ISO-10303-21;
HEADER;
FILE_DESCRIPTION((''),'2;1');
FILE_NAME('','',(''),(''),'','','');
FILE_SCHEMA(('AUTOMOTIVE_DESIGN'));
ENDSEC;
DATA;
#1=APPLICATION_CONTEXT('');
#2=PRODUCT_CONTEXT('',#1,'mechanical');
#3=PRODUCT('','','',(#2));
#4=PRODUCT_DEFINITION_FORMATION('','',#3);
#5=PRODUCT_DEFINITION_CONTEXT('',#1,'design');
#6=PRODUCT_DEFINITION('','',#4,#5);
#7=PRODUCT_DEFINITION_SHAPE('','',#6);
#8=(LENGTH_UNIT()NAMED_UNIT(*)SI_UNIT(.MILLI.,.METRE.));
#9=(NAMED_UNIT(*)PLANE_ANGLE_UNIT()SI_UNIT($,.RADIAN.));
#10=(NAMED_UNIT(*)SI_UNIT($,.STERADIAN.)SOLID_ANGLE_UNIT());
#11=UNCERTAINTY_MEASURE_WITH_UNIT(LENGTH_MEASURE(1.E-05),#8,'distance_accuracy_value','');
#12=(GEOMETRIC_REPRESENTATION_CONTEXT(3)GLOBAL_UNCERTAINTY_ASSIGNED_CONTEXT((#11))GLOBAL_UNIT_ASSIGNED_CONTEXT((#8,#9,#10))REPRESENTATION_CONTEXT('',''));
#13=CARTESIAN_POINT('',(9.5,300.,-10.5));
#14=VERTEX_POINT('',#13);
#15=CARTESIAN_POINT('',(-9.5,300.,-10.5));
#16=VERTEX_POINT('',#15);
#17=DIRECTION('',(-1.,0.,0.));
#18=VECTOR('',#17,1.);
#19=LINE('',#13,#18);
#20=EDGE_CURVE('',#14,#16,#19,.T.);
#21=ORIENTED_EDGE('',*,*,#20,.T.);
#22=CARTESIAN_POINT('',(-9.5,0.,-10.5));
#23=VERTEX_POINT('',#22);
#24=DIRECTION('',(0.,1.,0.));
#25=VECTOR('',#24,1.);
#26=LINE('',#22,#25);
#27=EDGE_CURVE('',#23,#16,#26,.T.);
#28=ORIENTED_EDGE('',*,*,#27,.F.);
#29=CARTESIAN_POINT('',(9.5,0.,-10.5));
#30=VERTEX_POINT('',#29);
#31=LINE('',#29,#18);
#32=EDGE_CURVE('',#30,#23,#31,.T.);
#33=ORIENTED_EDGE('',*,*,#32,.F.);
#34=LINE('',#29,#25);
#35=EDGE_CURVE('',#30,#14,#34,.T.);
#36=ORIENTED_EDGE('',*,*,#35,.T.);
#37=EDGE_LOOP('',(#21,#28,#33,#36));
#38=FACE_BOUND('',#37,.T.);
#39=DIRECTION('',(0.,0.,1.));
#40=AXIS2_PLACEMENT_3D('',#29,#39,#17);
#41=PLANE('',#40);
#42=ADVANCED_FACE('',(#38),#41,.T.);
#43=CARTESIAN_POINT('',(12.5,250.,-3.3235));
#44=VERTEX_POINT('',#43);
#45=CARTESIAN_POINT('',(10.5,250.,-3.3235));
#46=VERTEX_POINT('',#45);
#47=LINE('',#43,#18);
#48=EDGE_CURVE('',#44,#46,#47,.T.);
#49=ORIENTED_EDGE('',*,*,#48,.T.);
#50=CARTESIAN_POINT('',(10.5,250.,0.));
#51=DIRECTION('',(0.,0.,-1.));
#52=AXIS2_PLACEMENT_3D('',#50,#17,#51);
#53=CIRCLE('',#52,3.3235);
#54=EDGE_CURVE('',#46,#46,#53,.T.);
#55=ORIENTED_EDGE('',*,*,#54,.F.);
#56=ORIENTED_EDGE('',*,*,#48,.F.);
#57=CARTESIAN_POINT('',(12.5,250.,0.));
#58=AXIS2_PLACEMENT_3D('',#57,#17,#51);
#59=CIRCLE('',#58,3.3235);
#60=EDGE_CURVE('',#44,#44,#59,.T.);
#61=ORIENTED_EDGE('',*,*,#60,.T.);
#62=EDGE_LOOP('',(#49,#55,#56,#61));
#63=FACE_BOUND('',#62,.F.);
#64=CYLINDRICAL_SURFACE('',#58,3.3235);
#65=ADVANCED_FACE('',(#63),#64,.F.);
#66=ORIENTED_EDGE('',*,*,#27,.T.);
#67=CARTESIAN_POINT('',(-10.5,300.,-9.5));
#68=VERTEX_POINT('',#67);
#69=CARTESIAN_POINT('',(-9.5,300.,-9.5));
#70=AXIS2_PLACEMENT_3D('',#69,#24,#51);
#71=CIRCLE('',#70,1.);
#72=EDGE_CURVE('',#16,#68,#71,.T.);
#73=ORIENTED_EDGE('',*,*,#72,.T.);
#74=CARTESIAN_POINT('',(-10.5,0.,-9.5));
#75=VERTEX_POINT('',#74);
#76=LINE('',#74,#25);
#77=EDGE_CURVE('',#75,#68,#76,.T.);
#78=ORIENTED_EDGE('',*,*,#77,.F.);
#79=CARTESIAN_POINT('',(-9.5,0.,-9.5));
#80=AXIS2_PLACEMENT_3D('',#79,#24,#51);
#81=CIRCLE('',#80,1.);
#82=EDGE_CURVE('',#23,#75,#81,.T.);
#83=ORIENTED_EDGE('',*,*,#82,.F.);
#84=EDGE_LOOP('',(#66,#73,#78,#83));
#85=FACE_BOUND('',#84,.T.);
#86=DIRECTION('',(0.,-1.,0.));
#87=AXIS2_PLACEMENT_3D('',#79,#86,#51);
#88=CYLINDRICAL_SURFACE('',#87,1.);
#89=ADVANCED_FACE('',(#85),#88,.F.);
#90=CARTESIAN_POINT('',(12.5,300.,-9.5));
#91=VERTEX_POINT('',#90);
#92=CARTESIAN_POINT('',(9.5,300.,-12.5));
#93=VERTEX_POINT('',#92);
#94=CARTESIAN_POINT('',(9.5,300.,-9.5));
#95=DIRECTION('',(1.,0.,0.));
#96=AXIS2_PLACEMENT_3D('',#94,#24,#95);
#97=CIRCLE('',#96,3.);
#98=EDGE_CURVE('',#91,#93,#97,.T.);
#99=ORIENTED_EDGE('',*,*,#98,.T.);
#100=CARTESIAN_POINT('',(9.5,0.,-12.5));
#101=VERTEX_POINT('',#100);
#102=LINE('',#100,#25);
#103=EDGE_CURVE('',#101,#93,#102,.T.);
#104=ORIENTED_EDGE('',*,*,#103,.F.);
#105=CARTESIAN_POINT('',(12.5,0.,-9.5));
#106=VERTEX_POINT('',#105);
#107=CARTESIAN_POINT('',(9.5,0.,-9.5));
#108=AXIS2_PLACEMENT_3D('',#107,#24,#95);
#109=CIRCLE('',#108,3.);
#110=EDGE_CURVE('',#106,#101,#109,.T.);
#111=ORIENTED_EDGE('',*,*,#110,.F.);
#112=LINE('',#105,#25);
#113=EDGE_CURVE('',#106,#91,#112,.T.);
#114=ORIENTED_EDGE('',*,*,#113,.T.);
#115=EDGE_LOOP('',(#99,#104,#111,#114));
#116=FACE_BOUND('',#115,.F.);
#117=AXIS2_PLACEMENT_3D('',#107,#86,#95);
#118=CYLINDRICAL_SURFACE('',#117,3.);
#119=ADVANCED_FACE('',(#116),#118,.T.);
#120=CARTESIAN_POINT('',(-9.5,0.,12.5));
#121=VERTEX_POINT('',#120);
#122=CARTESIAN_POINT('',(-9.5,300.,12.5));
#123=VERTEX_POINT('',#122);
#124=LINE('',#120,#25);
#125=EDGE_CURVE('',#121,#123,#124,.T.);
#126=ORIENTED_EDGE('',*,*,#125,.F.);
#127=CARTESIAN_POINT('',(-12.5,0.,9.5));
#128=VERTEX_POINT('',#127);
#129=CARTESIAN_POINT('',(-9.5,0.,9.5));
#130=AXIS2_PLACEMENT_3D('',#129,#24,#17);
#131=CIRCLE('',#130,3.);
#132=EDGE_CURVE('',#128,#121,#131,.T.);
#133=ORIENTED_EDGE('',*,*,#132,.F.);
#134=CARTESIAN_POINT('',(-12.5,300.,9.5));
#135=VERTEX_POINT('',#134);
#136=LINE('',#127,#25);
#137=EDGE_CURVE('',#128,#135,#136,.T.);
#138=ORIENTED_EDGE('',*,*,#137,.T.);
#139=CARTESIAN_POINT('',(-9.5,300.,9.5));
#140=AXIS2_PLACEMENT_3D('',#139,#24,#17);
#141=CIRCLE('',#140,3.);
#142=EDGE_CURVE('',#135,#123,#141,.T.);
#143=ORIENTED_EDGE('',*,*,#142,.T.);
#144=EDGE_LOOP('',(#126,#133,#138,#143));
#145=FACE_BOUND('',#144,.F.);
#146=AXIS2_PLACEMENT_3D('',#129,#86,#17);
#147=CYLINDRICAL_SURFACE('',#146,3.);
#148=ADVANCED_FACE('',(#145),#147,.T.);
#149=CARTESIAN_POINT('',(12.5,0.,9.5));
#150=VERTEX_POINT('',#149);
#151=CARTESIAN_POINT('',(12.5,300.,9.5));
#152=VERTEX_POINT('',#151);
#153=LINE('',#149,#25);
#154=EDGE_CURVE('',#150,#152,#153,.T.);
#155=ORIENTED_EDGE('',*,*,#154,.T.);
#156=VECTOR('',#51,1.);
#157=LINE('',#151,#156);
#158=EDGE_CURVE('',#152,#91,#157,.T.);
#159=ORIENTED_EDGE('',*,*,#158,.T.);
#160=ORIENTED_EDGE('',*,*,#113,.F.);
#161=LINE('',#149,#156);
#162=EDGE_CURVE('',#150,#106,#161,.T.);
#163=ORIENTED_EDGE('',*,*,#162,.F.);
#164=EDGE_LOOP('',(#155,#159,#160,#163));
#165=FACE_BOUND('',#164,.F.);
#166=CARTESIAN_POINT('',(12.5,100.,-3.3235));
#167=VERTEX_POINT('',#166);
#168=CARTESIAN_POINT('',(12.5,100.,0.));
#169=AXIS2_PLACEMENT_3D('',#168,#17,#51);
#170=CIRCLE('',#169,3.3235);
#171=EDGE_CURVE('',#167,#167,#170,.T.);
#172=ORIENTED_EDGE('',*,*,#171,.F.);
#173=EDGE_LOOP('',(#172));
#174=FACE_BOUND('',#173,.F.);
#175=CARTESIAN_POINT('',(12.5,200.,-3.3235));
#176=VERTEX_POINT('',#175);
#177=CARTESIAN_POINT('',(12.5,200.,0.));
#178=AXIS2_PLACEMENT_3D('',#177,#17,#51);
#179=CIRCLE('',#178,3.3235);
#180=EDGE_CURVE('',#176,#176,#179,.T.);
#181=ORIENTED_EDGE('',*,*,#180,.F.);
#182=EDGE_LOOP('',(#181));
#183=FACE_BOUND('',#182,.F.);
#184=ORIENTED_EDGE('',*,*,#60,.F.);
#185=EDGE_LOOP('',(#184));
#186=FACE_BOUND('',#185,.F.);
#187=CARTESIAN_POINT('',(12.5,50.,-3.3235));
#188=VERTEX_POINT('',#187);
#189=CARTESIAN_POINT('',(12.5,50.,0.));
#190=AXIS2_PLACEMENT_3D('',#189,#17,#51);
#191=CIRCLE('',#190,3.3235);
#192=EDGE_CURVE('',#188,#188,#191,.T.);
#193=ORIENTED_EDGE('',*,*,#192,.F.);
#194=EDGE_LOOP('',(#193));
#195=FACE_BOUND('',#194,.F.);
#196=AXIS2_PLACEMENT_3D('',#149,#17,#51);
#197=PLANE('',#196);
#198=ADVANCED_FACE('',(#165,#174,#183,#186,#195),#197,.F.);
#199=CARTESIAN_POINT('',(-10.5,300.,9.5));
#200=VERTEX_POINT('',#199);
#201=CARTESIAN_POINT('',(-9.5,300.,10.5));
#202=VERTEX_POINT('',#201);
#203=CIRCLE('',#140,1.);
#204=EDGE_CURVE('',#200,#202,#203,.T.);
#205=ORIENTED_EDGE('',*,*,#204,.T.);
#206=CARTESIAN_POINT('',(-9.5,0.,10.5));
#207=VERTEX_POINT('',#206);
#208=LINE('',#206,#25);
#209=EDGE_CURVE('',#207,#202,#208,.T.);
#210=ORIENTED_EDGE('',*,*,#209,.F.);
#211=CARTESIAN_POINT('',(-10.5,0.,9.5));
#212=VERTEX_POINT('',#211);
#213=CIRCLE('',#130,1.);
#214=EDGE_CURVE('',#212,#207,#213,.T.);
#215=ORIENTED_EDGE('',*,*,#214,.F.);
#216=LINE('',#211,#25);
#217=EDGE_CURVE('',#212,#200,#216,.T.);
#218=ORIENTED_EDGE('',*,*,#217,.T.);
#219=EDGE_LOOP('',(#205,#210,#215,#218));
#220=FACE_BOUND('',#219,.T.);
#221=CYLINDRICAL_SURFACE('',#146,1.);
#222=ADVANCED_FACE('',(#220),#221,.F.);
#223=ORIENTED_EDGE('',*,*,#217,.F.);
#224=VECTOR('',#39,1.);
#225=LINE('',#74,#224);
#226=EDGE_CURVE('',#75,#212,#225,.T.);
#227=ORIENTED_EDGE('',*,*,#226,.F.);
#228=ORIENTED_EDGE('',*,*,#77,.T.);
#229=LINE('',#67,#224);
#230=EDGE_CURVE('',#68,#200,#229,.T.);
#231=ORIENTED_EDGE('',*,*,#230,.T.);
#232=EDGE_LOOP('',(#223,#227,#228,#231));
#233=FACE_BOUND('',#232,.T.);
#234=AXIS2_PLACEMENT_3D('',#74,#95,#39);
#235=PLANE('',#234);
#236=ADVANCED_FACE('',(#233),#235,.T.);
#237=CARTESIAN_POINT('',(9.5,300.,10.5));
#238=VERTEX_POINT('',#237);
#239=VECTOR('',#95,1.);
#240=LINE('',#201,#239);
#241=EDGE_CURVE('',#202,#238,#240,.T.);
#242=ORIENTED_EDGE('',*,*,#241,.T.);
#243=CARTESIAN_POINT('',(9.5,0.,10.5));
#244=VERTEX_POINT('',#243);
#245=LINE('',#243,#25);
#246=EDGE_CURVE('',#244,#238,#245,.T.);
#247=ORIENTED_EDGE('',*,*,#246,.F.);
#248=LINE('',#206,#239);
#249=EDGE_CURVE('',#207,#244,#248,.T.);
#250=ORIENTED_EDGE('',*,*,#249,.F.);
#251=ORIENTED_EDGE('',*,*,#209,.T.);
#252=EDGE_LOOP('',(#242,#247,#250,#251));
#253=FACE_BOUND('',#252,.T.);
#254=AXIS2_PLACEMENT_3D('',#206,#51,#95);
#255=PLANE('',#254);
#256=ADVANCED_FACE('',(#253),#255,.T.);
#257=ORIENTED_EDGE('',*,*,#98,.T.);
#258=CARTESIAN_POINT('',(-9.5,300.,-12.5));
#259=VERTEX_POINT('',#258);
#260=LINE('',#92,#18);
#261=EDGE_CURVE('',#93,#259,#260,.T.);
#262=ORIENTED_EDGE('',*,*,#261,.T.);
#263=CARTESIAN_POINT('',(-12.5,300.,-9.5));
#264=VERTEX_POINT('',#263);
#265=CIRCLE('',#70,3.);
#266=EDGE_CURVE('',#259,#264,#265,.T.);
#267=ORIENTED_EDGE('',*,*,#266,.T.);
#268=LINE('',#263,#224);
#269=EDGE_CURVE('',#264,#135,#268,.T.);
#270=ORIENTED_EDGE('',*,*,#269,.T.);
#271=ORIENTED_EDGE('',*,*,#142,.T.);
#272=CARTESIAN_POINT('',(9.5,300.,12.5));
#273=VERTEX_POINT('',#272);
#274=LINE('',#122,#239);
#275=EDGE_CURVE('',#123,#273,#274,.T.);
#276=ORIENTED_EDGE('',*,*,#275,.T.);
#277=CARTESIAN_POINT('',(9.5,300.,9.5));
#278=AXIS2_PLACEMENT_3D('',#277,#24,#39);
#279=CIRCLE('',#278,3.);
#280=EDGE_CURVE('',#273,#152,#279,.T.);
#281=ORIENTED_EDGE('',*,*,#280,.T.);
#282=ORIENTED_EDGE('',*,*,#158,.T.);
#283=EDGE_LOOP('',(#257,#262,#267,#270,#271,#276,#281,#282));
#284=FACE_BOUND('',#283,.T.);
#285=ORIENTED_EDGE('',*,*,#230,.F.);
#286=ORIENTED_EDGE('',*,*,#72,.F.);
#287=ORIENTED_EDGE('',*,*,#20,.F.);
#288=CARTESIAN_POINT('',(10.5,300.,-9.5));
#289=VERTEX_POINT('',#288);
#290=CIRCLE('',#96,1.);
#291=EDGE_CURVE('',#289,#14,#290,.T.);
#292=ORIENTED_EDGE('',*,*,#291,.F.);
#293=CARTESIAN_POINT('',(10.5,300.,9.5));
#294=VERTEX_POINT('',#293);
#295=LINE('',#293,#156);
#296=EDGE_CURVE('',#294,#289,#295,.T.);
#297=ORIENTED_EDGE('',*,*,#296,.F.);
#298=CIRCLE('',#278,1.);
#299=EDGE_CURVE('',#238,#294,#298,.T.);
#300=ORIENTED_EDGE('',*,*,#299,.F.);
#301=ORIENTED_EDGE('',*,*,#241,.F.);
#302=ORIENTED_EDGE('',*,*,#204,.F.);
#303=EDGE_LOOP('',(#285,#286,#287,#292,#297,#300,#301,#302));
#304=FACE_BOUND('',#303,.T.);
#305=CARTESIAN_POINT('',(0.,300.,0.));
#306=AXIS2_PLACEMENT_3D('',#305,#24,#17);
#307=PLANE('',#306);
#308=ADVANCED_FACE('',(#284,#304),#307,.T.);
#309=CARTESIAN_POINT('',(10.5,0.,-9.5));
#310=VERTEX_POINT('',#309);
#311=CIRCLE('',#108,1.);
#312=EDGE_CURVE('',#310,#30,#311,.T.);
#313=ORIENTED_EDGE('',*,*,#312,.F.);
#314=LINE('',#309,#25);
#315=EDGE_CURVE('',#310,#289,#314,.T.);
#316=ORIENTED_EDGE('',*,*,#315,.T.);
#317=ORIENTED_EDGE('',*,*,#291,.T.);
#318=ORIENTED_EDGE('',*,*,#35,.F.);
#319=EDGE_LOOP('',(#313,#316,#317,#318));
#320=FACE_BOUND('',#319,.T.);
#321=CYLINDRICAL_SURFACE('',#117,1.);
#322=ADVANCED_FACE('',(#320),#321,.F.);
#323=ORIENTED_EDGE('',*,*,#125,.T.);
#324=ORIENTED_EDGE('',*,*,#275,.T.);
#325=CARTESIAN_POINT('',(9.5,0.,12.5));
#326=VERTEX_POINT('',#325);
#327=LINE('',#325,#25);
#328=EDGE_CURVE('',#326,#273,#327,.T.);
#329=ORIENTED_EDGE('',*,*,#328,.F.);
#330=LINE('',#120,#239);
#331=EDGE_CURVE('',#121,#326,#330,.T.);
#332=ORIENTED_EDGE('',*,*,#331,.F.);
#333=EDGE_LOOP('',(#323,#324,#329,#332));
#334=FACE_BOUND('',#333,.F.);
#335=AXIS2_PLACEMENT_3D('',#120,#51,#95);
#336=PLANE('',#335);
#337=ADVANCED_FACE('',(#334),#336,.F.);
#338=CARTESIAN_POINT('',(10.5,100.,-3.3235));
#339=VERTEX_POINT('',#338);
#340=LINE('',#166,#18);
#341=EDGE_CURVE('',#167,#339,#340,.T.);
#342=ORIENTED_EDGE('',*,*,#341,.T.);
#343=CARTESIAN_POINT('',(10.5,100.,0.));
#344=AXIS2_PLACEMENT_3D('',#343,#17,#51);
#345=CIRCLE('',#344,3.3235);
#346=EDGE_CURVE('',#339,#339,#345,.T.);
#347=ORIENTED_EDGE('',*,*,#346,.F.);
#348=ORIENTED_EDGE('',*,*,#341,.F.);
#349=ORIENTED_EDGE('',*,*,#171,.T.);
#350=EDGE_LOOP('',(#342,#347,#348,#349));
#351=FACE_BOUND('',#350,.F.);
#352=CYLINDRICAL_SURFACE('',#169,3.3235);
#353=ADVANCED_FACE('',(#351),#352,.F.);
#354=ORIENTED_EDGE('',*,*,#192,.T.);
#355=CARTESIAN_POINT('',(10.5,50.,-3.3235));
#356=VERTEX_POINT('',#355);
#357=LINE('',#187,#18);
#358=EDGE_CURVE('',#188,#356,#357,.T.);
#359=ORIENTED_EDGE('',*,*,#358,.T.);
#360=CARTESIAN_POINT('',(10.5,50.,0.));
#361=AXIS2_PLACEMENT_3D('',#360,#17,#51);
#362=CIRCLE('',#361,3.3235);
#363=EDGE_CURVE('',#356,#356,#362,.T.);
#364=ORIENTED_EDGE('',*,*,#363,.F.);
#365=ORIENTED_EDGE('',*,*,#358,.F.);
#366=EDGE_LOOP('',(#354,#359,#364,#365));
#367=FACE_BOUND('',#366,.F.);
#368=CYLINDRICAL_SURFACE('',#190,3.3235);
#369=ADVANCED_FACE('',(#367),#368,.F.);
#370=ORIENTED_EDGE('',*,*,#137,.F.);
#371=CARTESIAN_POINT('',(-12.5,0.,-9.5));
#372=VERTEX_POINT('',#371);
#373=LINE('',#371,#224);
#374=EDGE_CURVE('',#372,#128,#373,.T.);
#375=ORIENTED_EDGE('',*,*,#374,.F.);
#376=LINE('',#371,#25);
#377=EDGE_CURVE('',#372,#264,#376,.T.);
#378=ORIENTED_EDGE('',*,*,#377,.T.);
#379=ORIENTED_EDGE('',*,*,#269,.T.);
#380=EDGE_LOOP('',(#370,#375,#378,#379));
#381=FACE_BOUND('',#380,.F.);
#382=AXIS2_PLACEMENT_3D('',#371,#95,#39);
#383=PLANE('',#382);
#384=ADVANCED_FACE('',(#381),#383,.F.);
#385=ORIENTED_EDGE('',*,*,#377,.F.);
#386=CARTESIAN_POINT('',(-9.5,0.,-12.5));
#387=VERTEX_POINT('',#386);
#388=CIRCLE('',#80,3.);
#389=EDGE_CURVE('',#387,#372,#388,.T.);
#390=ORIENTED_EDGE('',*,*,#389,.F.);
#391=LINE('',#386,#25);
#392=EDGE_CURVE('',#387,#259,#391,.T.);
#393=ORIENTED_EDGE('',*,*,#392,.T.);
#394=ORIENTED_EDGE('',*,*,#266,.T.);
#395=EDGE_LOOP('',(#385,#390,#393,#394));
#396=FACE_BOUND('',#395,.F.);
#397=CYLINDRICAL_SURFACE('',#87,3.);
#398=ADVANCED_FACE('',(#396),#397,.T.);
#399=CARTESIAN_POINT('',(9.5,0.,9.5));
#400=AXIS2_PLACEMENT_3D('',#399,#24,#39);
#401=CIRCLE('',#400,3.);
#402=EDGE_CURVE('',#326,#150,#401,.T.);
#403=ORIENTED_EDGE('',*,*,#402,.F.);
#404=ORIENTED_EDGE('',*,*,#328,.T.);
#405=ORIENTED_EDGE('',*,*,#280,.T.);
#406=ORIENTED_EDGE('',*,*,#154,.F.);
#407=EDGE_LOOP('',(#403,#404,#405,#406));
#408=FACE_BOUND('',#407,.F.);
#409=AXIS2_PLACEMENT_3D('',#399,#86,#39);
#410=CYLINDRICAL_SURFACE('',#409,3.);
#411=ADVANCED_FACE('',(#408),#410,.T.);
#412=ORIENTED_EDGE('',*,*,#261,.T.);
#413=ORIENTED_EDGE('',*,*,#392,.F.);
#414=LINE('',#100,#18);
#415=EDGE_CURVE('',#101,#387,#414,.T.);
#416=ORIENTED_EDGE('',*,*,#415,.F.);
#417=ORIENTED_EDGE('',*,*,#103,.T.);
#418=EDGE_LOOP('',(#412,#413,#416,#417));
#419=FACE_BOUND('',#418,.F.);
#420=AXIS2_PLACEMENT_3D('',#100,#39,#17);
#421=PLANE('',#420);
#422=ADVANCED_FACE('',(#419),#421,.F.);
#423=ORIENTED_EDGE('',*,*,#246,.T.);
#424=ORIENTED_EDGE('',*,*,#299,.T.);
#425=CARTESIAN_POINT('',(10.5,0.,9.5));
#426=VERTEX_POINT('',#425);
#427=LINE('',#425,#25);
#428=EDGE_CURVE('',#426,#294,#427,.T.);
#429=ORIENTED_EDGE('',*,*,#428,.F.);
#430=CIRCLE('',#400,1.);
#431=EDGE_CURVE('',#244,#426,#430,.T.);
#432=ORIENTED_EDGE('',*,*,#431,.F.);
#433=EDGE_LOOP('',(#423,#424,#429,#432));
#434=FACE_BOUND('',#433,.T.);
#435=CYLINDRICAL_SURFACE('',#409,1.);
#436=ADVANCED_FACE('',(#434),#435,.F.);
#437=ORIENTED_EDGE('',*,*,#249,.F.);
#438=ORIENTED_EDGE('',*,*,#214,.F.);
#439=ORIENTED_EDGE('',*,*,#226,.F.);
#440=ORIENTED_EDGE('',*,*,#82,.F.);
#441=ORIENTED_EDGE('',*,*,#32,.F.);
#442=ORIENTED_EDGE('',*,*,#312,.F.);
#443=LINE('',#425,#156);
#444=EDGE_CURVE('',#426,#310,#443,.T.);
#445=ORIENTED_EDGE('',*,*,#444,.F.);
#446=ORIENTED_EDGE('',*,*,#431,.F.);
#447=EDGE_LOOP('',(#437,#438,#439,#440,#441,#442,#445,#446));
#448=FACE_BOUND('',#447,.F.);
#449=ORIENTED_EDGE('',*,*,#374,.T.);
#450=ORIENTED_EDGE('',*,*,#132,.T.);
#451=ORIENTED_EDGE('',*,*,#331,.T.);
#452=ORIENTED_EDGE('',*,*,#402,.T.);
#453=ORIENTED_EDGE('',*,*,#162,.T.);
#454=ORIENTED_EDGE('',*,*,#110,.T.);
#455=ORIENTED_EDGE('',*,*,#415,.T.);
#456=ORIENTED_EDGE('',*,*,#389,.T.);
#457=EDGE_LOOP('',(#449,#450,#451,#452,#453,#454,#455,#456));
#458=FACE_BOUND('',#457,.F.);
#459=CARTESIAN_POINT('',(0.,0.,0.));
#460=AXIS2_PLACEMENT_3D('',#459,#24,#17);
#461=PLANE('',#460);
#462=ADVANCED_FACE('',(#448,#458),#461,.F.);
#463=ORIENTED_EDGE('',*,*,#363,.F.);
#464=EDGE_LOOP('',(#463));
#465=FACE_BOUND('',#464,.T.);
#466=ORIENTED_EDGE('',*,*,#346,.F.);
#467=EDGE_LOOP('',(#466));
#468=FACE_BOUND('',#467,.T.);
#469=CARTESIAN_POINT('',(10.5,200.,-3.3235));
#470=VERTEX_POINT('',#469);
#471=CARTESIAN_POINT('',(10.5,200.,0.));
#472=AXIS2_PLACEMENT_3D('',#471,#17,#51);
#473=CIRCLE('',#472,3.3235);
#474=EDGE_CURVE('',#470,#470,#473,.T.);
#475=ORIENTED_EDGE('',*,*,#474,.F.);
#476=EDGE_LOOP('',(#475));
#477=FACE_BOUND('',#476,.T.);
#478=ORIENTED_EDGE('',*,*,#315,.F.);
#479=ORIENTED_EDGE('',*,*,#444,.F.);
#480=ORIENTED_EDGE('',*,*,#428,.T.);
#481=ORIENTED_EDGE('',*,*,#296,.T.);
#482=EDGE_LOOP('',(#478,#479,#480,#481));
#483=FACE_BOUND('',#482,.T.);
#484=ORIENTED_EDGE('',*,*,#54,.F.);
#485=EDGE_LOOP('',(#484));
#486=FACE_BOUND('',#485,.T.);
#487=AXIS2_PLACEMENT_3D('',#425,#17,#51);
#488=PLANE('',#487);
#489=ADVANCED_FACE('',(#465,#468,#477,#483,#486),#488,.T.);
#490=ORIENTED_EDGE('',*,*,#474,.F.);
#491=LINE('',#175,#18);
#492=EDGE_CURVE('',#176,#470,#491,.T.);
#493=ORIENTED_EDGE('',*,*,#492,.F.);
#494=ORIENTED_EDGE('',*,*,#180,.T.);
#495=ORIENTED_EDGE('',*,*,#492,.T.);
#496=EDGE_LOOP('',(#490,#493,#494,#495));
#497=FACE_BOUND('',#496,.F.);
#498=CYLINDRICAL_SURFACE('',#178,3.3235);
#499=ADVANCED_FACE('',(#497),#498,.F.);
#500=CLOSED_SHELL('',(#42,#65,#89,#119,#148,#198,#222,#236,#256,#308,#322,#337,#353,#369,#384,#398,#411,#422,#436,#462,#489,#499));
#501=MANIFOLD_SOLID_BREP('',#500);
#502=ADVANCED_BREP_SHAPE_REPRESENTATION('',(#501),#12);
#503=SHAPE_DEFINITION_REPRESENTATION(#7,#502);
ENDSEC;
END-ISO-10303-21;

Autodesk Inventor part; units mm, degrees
ref_plane "YZ Plane" through (0, 0, 0) normal (1, 0, 0) x (0, 1, 0)
ref_plane "XZ Plane" through (0, 0, 0) normal (0, 1, 0) x (-1, 0, 0)
ref_plane "XY Plane" through (0, 0, 0) normal (0, 0, 1) x (1, 0, 0)
sketch "Sketch1" plane through (0, 0, 0) normal (0, 1, 0) x (-1, 0, 0)
  line L0 (-9.5, 11.5) -> (9.5, 11.5) construction
  line L1 (11.5, 9.5) -> (11.5, -9.5) construction
  line L2 (9.5, -11.5) -> (-9.5, -11.5) construction
  line L3 (-11.5, -9.5) -> (-11.5, 9.5) construction
  line L4 (-11.5, 11.5) -> (11.5, -11.5) construction
  line L5 (11.5, 11.5) -> (-11.5, -11.5) construction
  arc A0 (11.5, 9.5) -> (9.5, 11.5) centre (9.5, 9.5) ccw construction
  arc A1 (9.5, -11.5) -> (11.5, -9.5) centre (9.5, -9.5) ccw construction
  arc A2 (-11.5, -9.5) -> (-9.5, -11.5) centre (-9.5, -9.5) ccw construction
  arc A3 (-9.5, 11.5) -> (-11.5, 9.5) centre (-9.5, 9.5) ccw construction
  line L6 (-9.5, -12.5) -> (9.5, -12.5)
  arc A4 (9.5, -12.5) -> (12.5, -9.5) centre (9.5, -9.5) ccw
  line L7 (12.5, -9.5) -> (12.5, 9.5)
  arc A5 (12.5, 9.5) -> (9.5, 12.5) centre (9.5, 9.5) ccw
  line L8 (9.5, 12.5) -> (-9.5, 12.5)
  arc A6 (-9.5, 12.5) -> (-12.5, 9.5) centre (-9.5, 9.5) ccw
  line L9 (-12.5, 9.5) -> (-12.5, -9.5)
  arc A7 (-12.5, -9.5) -> (-9.5, -12.5) centre (-9.5, -9.5) ccw
  line L10 (10.5, -9.5) -> (10.5, 9.5)
  arc A8 (10.5, 9.5) -> (9.5, 10.5) centre (9.5, 9.5) ccw
  line L11 (9.5, 10.5) -> (-9.5, 10.5)
  arc A9 (-9.5, 10.5) -> (-10.5, 9.5) centre (-9.5, 9.5) ccw
  line L12 (-10.5, 9.5) -> (-10.5, -9.5)
  arc A10 (-10.5, -9.5) -> (-9.5, -10.5) centre (-9.5, -9.5) ccw
  line L13 (-9.5, -10.5) -> (9.5, -10.5)
  arc A11 (9.5, -10.5) -> (10.5, -9.5) centre (9.5, -9.5) ccw
  point P0 (0, 0)
  point P1 (0, 0)
  point P2 (0, 0)
  dimension "d10" = 2
  dimension "depth" = 25
  dimension "width" = 25
  dimension "thickness" = 2
extrude "Extrusion1" add sketch "Sketch1" along normal blind 300
sketch "Sketch2" plane through (12.5, 0, 9.5) normal (1, 0, 0) x (0, 0, -1)
  line L0 (9.5, -60) -> (9.5, 360) construction
  line L1 (0, 300) -> (19, 300) projected
  line L2 (0, 0) -> (19, 0) projected
  line L3 (-3, 0) -> (-3, 300) projected
  line L4 (-3, 150) -> (-40.443, 150) construction
  point P0 (9.5, 0)
  point P1 (9.5, 250)
  point P2 (9.5, 200)
  point P3 (9.5, 50)
  point P4 (9.5, 100)
  dimension "d17" = 50
  dimension "d28" = 50
  dimension "d29" = 100
hole "Hole1" at (12.5, 250, 0) at (12.5, 200, 0) at (12.5, 100, 0) at (12.5, 50, 0) direction (-1, 0, 0) diameter 6.647 depth 20.2 tip angle 118 thread size "M8x1.25" class "6H" standard "ANSI Metric M Profile"
equation "\"d10\" = thickness"
properties part number "Lacznik prosty" material "Steel"
